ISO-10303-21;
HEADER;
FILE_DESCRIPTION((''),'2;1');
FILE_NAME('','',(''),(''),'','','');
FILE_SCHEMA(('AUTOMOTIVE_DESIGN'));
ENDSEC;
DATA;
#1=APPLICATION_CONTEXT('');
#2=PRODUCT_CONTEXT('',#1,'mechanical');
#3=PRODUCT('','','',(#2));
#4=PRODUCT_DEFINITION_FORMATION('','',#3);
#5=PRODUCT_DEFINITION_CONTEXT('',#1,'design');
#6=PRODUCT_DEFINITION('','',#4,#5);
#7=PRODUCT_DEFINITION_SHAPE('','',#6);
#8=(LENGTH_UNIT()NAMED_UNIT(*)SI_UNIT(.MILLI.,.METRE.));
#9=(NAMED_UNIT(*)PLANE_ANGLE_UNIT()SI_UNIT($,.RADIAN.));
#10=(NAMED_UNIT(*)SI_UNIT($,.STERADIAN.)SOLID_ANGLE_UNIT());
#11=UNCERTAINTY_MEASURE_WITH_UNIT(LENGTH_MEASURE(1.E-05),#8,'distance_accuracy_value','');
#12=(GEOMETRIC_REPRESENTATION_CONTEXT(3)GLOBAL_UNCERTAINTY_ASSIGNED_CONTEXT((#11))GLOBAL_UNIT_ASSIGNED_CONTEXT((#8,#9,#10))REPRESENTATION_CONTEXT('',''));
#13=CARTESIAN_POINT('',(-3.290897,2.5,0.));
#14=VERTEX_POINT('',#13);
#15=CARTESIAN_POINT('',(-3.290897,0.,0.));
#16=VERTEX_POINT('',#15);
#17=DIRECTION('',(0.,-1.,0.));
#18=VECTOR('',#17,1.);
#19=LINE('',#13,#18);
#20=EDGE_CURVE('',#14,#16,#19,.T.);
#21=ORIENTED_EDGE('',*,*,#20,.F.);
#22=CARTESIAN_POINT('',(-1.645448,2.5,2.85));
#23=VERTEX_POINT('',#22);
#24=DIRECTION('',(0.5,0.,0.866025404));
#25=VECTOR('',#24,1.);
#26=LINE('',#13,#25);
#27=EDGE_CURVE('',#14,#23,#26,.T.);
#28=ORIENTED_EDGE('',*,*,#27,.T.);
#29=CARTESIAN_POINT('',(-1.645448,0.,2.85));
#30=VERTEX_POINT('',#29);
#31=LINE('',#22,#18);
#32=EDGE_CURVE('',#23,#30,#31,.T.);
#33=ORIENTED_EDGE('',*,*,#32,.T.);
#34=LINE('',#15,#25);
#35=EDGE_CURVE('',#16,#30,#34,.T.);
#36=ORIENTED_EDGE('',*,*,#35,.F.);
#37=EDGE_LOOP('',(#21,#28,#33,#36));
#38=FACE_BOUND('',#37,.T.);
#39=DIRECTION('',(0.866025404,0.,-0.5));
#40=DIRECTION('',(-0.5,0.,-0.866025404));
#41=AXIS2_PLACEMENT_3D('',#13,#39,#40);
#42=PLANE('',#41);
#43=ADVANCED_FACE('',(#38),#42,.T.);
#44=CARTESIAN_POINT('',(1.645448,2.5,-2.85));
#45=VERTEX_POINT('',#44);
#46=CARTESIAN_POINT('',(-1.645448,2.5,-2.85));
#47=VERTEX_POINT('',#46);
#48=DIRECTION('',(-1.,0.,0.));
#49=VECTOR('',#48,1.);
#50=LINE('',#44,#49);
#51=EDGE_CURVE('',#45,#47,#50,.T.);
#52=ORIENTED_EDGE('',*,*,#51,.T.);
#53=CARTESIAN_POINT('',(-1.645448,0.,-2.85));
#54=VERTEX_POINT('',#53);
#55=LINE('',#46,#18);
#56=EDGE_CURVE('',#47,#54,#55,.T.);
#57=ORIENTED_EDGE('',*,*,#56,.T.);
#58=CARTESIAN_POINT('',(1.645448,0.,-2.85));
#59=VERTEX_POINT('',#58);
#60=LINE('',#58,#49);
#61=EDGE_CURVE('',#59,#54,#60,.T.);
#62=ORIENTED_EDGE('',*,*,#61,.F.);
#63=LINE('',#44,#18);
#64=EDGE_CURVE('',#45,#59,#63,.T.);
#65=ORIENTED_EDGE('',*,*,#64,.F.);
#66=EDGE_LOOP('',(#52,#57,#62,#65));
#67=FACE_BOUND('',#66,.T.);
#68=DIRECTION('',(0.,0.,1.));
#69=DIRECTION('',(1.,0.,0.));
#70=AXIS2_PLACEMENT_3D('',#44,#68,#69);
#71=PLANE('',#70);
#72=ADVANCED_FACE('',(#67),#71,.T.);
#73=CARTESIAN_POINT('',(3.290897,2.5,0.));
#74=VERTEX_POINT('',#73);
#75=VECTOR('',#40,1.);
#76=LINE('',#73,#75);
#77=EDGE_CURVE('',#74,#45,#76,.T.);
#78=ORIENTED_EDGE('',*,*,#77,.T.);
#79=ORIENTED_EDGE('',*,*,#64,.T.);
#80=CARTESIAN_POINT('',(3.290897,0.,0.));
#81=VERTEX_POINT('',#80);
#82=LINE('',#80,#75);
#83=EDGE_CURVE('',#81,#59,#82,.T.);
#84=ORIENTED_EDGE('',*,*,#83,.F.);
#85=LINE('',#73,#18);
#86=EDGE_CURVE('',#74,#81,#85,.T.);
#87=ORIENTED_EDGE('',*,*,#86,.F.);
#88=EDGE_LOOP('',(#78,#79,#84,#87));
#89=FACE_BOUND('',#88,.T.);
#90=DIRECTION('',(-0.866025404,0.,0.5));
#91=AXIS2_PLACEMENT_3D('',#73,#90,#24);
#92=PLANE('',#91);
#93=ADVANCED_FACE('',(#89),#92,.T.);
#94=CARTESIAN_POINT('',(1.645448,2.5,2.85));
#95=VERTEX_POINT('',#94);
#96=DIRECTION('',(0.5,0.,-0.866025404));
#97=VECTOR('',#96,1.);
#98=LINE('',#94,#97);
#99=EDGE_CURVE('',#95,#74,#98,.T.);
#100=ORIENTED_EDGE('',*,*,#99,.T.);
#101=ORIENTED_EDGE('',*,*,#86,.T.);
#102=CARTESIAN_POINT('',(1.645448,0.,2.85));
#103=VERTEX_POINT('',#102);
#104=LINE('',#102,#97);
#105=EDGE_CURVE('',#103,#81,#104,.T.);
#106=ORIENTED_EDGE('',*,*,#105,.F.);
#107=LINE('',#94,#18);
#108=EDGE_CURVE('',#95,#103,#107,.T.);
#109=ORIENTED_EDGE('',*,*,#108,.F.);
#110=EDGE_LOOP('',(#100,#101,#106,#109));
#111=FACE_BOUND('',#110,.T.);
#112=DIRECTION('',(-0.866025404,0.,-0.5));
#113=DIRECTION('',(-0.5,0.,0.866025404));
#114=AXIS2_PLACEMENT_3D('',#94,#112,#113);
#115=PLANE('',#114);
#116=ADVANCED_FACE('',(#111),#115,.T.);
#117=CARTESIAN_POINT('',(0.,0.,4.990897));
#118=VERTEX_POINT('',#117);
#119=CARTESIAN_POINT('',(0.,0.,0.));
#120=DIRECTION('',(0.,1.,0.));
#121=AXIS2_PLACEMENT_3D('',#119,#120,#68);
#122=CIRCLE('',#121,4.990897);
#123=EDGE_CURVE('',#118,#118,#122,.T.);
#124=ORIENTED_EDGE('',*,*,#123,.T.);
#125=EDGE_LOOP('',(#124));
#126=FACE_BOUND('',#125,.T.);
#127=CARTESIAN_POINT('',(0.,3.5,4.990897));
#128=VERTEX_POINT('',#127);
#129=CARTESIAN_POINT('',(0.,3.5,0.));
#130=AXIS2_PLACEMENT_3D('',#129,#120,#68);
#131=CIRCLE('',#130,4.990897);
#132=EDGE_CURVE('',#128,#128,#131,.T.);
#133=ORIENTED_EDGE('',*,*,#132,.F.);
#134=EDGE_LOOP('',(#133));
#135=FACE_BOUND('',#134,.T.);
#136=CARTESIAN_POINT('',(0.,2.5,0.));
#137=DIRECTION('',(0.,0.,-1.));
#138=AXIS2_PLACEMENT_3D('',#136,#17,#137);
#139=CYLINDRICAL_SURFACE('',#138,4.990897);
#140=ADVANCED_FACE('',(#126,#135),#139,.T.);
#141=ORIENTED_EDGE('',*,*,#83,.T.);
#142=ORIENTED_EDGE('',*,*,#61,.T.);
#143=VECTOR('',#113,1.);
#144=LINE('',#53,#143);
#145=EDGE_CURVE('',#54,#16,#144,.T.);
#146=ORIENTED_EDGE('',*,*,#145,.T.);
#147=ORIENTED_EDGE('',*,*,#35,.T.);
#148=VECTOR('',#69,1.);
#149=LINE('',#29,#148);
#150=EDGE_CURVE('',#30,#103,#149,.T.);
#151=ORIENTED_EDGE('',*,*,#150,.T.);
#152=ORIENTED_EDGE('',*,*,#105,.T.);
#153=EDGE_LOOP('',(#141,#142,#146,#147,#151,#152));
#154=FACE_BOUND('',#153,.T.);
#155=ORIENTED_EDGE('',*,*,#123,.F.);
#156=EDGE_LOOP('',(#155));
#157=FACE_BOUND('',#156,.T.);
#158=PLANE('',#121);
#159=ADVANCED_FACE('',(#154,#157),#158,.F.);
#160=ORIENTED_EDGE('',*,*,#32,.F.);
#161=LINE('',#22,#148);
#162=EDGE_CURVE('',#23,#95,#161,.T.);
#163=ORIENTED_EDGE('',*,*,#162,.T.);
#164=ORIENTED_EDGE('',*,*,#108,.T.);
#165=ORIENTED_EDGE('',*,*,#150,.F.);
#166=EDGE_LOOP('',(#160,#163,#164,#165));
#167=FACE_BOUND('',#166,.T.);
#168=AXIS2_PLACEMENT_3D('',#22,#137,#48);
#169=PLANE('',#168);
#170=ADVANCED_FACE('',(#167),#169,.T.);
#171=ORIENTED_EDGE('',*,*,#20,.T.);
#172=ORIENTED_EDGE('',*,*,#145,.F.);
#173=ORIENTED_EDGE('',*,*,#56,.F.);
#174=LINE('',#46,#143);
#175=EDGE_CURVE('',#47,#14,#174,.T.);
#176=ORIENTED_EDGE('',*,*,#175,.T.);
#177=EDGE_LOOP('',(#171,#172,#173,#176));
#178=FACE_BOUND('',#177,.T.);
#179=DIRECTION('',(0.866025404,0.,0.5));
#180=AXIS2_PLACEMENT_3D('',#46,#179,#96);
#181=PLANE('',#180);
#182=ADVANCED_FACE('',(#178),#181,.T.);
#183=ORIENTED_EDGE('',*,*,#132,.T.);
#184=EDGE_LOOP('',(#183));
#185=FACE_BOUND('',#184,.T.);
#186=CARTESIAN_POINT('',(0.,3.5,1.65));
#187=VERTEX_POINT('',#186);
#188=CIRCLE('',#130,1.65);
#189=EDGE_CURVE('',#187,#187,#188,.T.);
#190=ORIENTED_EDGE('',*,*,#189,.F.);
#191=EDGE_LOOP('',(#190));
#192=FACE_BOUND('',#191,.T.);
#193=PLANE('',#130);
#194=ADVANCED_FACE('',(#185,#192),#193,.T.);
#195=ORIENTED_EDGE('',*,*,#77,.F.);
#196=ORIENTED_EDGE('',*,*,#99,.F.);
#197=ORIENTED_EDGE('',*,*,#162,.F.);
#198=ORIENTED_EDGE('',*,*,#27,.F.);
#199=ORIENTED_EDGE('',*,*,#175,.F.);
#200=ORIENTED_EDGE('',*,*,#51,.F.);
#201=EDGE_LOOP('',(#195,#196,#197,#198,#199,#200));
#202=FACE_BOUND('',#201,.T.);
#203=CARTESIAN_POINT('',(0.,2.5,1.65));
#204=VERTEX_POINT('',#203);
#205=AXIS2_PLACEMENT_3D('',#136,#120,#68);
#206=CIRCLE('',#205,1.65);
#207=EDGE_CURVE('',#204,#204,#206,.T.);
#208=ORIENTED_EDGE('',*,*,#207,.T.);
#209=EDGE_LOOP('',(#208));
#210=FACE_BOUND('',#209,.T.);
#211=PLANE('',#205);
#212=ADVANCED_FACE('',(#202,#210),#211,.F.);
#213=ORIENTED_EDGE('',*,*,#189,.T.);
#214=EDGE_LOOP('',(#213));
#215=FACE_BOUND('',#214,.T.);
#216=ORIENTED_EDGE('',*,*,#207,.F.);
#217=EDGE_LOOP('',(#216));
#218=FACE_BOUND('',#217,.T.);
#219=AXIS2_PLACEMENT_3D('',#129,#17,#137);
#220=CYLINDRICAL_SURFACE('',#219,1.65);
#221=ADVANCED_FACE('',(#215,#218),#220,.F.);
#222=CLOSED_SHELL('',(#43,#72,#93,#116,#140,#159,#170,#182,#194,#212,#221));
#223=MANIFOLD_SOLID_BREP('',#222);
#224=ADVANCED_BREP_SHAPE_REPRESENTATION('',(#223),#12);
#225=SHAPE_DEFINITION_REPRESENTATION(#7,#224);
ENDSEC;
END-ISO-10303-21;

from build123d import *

# Parameters (mm, degrees)
SKETCH_1_R      = 4.990896534
EXTRUDE_1_DEPTH = 2.5
SKETCH_2_R      = 4.990896534
SKETCH_2_R_2    = 1.65
EXTRUDE_2_DEPTH = 1


with BuildPart() as part:
    # 草图1 → 凸台-拉伸1 (new body)
    with BuildSketch(Plane(origin=(0, 0, 0), x_dir=(1, 0, 0), z_dir=(0, 1, 0))):
        with Locations(Location((0, 0, 0), (0, 0, 270))):
            Circle(SKETCH_1_R)
        Polygon((1.645448267, -2.85), (3.290896534, 0), (1.645448267, 2.85), (-1.645448267, 2.85), (-3.290896534, 0), (-1.645448267, -2.85), align=None, mode=Mode.SUBTRACT)
    extrude(amount=EXTRUDE_1_DEPTH)

    # 草图2 → 凸台-拉伸2 (add)
    with BuildSketch(Plane(origin=(0, 2.5, 0), x_dir=(1, 0, 0), z_dir=(0, 1, 0))):
        with Locations(Location((0, 0, 0), (0, 0, 270))):
            Circle(SKETCH_2_R)
        with Locations(Location((0, 0, 0), (0, 0, 270))):
            Circle(SKETCH_2_R_2, mode=Mode.SUBTRACT)
    extrude(amount=EXTRUDE_2_DEPTH)


solid = part.part
